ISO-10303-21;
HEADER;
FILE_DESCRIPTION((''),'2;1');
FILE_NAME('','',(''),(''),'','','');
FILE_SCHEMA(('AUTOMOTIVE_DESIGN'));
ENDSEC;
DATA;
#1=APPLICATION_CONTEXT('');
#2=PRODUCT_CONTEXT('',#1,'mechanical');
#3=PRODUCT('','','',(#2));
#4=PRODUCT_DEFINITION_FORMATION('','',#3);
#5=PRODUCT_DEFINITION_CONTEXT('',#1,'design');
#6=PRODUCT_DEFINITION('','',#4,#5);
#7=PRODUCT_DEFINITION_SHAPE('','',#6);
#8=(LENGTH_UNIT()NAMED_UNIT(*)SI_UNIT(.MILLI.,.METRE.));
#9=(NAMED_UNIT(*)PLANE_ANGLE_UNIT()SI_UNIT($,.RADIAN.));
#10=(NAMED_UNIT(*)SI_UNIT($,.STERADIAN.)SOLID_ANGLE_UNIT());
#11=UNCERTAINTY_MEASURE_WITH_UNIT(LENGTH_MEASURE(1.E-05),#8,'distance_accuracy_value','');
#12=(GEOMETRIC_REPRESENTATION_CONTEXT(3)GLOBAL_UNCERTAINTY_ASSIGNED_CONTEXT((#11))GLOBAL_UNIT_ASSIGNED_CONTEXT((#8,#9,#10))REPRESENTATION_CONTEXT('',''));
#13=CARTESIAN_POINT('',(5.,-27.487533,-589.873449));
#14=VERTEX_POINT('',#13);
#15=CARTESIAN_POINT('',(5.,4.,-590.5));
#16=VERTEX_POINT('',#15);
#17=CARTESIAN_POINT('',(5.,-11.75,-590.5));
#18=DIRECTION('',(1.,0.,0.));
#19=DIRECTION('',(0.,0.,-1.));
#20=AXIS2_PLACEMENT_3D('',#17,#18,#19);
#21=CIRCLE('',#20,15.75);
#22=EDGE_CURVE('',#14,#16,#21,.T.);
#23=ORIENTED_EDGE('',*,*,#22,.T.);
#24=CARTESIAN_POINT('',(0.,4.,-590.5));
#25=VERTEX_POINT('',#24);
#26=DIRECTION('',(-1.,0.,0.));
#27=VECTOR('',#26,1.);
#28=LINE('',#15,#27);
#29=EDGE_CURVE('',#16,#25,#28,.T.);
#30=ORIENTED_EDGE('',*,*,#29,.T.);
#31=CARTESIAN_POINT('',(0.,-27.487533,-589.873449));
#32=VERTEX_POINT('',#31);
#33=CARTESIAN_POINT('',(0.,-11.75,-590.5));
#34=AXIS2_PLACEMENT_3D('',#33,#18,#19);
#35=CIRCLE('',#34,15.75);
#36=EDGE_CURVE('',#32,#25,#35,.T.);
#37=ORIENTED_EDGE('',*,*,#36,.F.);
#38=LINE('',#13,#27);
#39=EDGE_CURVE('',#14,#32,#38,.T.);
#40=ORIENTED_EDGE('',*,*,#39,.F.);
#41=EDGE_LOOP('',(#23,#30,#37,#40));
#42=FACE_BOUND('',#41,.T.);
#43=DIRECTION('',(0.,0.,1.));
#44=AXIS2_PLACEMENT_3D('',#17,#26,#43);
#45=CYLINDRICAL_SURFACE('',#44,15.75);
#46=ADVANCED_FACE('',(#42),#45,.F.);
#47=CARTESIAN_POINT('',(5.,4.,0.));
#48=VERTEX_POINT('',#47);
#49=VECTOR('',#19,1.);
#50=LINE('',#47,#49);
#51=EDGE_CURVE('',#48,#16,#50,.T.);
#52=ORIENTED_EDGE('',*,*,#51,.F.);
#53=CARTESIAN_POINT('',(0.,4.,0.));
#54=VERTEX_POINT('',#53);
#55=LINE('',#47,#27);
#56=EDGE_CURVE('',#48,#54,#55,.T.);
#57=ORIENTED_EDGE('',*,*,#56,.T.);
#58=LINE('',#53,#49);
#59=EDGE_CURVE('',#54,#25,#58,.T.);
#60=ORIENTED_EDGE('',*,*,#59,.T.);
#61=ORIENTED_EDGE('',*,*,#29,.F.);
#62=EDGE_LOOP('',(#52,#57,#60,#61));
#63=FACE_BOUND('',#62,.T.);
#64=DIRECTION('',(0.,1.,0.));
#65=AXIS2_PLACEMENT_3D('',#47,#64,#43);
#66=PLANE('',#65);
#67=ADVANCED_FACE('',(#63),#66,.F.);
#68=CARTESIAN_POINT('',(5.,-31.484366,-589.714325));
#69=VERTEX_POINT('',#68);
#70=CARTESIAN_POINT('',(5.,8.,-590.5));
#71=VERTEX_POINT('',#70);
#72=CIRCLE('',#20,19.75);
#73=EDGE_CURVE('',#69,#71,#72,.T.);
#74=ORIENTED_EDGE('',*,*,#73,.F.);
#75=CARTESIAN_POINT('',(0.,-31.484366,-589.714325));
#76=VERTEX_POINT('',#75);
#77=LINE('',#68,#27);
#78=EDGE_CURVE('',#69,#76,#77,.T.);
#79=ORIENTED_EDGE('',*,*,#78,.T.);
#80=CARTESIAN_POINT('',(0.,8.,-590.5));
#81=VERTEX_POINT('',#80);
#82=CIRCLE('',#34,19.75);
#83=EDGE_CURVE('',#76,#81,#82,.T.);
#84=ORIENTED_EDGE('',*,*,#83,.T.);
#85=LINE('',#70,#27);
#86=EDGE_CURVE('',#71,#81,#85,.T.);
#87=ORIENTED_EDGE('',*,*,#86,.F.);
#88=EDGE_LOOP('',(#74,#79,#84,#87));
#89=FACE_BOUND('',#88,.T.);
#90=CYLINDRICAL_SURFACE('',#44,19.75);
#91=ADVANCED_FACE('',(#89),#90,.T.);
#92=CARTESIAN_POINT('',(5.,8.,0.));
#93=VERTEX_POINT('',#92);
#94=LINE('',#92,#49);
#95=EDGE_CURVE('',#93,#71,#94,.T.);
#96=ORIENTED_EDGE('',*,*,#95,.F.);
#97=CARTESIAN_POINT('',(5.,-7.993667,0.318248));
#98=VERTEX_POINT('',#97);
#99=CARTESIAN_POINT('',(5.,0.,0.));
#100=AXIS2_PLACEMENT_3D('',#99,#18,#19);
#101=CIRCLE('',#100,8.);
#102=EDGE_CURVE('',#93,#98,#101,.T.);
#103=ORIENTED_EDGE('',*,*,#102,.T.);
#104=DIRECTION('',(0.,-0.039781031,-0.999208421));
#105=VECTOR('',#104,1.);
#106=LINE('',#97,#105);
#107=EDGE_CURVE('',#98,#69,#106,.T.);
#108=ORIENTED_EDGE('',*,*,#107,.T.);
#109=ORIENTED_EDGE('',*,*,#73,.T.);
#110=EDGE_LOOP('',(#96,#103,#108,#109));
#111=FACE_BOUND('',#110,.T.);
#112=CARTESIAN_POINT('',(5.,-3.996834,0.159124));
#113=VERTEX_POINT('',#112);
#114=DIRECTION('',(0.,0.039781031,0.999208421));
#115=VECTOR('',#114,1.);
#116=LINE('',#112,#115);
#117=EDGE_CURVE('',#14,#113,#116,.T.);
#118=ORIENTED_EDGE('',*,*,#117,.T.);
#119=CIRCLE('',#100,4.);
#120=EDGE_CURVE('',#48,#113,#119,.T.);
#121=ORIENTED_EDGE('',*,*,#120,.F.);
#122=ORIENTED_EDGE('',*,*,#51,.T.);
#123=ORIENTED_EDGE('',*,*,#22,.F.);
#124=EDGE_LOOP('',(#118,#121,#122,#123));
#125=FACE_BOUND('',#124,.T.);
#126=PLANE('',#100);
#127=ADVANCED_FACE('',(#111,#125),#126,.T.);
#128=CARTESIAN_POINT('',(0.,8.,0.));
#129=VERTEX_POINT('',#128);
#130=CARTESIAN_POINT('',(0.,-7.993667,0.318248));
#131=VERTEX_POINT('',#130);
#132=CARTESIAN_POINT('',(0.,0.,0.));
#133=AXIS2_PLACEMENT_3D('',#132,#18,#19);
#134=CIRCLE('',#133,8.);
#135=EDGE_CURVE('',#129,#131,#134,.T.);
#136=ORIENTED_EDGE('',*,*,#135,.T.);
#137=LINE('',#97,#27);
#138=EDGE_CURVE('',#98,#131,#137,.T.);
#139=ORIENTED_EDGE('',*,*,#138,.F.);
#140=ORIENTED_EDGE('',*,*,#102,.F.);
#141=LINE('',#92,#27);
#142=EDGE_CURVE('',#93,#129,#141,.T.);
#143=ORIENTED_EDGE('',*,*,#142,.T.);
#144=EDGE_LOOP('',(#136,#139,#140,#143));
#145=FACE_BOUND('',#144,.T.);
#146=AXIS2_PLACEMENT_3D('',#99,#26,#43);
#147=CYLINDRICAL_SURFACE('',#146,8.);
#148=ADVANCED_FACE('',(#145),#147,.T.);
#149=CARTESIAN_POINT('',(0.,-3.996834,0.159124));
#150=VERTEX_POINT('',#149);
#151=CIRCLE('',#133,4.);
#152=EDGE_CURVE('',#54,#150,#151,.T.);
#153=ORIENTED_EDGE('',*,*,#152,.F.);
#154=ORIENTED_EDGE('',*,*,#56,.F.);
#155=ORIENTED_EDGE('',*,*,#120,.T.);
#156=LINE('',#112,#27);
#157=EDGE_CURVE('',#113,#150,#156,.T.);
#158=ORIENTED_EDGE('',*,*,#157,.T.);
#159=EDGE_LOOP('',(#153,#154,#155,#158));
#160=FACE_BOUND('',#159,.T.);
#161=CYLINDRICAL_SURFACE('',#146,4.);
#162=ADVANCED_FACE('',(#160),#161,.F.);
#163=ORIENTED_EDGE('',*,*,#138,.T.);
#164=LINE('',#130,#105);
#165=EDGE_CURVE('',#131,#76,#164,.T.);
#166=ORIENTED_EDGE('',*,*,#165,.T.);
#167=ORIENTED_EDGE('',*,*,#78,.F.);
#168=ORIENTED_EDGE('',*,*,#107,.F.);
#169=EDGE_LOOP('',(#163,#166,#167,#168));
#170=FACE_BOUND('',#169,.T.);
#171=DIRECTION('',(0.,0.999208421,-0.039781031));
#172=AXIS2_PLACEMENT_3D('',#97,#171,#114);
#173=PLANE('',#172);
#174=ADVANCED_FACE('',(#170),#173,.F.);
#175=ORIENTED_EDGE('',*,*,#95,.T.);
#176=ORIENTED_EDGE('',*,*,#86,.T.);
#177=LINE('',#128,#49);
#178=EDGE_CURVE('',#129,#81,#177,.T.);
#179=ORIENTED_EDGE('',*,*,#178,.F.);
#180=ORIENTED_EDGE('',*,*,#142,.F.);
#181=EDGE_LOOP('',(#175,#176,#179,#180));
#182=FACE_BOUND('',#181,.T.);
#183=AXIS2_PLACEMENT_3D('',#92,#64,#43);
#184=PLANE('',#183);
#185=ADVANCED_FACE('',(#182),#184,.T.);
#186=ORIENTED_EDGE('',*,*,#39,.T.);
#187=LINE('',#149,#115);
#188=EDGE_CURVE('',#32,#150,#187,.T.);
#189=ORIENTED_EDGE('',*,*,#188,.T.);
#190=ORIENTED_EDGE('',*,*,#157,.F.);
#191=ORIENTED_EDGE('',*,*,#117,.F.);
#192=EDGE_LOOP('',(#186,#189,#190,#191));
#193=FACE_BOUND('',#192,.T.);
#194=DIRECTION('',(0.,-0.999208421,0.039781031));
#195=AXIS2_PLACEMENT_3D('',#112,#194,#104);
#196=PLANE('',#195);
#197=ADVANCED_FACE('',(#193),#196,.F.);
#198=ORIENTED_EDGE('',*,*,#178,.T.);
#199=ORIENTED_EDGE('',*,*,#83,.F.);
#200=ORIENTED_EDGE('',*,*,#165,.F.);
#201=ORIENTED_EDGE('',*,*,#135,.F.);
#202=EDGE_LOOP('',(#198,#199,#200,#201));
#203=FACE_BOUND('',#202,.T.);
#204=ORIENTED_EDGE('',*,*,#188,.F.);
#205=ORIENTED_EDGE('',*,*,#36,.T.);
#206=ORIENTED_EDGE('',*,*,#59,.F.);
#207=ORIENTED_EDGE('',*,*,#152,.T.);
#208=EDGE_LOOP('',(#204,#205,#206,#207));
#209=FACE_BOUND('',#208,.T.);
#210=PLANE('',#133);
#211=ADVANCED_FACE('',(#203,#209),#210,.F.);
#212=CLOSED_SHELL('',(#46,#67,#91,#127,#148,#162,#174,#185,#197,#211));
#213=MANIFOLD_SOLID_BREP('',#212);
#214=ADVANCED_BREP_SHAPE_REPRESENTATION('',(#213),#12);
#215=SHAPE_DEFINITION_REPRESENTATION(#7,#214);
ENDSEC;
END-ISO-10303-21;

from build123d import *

# Parameters (mm, degrees)
EXTRUDE_1_DEPTH = 5


with BuildPart() as part:
    # ｽｹｯﾁ1 → ﾎﾞｽ - 押し出し1 (new body)
    with BuildSketch(Plane(origin=(0, 0, 0), x_dir=(0, 0, -1), z_dir=(1, 0, 0))):
        with BuildLine():
            Line((590.5, 8), (0, 8))
            ThreePointArc((0, 8), (-7.998416686, 0.159155624), (-0.31824825, -7.993667372))
            Line((-0.31824825, -7.993667372), (589.714324633, -31.484366324))
            ThreePointArc((589.714324633, -31.484366324), (610.246091194, -12.142915447), (590.5, 8))
        make_face()
        with BuildLine():
            ThreePointArc((-0.159124125, -3.996833686), (-3.999208343, 0.079577812), (0, 4))
            Line((0, 4), (590.5, 4))
            ThreePointArc((590.5, 4), (601.636931804, -0.613068196), (606.25, -11.75))
            ThreePointArc((606.25, -11.75), (601.41316448, -23.106290813), (589.873448758, -27.487532638))
            Line((589.873448758, -27.487532638), (-0.159124125, -3.996833686))
        make_face(mode=Mode.SUBTRACT)
    extrude(amount=EXTRUDE_1_DEPTH)


solid = part.part
